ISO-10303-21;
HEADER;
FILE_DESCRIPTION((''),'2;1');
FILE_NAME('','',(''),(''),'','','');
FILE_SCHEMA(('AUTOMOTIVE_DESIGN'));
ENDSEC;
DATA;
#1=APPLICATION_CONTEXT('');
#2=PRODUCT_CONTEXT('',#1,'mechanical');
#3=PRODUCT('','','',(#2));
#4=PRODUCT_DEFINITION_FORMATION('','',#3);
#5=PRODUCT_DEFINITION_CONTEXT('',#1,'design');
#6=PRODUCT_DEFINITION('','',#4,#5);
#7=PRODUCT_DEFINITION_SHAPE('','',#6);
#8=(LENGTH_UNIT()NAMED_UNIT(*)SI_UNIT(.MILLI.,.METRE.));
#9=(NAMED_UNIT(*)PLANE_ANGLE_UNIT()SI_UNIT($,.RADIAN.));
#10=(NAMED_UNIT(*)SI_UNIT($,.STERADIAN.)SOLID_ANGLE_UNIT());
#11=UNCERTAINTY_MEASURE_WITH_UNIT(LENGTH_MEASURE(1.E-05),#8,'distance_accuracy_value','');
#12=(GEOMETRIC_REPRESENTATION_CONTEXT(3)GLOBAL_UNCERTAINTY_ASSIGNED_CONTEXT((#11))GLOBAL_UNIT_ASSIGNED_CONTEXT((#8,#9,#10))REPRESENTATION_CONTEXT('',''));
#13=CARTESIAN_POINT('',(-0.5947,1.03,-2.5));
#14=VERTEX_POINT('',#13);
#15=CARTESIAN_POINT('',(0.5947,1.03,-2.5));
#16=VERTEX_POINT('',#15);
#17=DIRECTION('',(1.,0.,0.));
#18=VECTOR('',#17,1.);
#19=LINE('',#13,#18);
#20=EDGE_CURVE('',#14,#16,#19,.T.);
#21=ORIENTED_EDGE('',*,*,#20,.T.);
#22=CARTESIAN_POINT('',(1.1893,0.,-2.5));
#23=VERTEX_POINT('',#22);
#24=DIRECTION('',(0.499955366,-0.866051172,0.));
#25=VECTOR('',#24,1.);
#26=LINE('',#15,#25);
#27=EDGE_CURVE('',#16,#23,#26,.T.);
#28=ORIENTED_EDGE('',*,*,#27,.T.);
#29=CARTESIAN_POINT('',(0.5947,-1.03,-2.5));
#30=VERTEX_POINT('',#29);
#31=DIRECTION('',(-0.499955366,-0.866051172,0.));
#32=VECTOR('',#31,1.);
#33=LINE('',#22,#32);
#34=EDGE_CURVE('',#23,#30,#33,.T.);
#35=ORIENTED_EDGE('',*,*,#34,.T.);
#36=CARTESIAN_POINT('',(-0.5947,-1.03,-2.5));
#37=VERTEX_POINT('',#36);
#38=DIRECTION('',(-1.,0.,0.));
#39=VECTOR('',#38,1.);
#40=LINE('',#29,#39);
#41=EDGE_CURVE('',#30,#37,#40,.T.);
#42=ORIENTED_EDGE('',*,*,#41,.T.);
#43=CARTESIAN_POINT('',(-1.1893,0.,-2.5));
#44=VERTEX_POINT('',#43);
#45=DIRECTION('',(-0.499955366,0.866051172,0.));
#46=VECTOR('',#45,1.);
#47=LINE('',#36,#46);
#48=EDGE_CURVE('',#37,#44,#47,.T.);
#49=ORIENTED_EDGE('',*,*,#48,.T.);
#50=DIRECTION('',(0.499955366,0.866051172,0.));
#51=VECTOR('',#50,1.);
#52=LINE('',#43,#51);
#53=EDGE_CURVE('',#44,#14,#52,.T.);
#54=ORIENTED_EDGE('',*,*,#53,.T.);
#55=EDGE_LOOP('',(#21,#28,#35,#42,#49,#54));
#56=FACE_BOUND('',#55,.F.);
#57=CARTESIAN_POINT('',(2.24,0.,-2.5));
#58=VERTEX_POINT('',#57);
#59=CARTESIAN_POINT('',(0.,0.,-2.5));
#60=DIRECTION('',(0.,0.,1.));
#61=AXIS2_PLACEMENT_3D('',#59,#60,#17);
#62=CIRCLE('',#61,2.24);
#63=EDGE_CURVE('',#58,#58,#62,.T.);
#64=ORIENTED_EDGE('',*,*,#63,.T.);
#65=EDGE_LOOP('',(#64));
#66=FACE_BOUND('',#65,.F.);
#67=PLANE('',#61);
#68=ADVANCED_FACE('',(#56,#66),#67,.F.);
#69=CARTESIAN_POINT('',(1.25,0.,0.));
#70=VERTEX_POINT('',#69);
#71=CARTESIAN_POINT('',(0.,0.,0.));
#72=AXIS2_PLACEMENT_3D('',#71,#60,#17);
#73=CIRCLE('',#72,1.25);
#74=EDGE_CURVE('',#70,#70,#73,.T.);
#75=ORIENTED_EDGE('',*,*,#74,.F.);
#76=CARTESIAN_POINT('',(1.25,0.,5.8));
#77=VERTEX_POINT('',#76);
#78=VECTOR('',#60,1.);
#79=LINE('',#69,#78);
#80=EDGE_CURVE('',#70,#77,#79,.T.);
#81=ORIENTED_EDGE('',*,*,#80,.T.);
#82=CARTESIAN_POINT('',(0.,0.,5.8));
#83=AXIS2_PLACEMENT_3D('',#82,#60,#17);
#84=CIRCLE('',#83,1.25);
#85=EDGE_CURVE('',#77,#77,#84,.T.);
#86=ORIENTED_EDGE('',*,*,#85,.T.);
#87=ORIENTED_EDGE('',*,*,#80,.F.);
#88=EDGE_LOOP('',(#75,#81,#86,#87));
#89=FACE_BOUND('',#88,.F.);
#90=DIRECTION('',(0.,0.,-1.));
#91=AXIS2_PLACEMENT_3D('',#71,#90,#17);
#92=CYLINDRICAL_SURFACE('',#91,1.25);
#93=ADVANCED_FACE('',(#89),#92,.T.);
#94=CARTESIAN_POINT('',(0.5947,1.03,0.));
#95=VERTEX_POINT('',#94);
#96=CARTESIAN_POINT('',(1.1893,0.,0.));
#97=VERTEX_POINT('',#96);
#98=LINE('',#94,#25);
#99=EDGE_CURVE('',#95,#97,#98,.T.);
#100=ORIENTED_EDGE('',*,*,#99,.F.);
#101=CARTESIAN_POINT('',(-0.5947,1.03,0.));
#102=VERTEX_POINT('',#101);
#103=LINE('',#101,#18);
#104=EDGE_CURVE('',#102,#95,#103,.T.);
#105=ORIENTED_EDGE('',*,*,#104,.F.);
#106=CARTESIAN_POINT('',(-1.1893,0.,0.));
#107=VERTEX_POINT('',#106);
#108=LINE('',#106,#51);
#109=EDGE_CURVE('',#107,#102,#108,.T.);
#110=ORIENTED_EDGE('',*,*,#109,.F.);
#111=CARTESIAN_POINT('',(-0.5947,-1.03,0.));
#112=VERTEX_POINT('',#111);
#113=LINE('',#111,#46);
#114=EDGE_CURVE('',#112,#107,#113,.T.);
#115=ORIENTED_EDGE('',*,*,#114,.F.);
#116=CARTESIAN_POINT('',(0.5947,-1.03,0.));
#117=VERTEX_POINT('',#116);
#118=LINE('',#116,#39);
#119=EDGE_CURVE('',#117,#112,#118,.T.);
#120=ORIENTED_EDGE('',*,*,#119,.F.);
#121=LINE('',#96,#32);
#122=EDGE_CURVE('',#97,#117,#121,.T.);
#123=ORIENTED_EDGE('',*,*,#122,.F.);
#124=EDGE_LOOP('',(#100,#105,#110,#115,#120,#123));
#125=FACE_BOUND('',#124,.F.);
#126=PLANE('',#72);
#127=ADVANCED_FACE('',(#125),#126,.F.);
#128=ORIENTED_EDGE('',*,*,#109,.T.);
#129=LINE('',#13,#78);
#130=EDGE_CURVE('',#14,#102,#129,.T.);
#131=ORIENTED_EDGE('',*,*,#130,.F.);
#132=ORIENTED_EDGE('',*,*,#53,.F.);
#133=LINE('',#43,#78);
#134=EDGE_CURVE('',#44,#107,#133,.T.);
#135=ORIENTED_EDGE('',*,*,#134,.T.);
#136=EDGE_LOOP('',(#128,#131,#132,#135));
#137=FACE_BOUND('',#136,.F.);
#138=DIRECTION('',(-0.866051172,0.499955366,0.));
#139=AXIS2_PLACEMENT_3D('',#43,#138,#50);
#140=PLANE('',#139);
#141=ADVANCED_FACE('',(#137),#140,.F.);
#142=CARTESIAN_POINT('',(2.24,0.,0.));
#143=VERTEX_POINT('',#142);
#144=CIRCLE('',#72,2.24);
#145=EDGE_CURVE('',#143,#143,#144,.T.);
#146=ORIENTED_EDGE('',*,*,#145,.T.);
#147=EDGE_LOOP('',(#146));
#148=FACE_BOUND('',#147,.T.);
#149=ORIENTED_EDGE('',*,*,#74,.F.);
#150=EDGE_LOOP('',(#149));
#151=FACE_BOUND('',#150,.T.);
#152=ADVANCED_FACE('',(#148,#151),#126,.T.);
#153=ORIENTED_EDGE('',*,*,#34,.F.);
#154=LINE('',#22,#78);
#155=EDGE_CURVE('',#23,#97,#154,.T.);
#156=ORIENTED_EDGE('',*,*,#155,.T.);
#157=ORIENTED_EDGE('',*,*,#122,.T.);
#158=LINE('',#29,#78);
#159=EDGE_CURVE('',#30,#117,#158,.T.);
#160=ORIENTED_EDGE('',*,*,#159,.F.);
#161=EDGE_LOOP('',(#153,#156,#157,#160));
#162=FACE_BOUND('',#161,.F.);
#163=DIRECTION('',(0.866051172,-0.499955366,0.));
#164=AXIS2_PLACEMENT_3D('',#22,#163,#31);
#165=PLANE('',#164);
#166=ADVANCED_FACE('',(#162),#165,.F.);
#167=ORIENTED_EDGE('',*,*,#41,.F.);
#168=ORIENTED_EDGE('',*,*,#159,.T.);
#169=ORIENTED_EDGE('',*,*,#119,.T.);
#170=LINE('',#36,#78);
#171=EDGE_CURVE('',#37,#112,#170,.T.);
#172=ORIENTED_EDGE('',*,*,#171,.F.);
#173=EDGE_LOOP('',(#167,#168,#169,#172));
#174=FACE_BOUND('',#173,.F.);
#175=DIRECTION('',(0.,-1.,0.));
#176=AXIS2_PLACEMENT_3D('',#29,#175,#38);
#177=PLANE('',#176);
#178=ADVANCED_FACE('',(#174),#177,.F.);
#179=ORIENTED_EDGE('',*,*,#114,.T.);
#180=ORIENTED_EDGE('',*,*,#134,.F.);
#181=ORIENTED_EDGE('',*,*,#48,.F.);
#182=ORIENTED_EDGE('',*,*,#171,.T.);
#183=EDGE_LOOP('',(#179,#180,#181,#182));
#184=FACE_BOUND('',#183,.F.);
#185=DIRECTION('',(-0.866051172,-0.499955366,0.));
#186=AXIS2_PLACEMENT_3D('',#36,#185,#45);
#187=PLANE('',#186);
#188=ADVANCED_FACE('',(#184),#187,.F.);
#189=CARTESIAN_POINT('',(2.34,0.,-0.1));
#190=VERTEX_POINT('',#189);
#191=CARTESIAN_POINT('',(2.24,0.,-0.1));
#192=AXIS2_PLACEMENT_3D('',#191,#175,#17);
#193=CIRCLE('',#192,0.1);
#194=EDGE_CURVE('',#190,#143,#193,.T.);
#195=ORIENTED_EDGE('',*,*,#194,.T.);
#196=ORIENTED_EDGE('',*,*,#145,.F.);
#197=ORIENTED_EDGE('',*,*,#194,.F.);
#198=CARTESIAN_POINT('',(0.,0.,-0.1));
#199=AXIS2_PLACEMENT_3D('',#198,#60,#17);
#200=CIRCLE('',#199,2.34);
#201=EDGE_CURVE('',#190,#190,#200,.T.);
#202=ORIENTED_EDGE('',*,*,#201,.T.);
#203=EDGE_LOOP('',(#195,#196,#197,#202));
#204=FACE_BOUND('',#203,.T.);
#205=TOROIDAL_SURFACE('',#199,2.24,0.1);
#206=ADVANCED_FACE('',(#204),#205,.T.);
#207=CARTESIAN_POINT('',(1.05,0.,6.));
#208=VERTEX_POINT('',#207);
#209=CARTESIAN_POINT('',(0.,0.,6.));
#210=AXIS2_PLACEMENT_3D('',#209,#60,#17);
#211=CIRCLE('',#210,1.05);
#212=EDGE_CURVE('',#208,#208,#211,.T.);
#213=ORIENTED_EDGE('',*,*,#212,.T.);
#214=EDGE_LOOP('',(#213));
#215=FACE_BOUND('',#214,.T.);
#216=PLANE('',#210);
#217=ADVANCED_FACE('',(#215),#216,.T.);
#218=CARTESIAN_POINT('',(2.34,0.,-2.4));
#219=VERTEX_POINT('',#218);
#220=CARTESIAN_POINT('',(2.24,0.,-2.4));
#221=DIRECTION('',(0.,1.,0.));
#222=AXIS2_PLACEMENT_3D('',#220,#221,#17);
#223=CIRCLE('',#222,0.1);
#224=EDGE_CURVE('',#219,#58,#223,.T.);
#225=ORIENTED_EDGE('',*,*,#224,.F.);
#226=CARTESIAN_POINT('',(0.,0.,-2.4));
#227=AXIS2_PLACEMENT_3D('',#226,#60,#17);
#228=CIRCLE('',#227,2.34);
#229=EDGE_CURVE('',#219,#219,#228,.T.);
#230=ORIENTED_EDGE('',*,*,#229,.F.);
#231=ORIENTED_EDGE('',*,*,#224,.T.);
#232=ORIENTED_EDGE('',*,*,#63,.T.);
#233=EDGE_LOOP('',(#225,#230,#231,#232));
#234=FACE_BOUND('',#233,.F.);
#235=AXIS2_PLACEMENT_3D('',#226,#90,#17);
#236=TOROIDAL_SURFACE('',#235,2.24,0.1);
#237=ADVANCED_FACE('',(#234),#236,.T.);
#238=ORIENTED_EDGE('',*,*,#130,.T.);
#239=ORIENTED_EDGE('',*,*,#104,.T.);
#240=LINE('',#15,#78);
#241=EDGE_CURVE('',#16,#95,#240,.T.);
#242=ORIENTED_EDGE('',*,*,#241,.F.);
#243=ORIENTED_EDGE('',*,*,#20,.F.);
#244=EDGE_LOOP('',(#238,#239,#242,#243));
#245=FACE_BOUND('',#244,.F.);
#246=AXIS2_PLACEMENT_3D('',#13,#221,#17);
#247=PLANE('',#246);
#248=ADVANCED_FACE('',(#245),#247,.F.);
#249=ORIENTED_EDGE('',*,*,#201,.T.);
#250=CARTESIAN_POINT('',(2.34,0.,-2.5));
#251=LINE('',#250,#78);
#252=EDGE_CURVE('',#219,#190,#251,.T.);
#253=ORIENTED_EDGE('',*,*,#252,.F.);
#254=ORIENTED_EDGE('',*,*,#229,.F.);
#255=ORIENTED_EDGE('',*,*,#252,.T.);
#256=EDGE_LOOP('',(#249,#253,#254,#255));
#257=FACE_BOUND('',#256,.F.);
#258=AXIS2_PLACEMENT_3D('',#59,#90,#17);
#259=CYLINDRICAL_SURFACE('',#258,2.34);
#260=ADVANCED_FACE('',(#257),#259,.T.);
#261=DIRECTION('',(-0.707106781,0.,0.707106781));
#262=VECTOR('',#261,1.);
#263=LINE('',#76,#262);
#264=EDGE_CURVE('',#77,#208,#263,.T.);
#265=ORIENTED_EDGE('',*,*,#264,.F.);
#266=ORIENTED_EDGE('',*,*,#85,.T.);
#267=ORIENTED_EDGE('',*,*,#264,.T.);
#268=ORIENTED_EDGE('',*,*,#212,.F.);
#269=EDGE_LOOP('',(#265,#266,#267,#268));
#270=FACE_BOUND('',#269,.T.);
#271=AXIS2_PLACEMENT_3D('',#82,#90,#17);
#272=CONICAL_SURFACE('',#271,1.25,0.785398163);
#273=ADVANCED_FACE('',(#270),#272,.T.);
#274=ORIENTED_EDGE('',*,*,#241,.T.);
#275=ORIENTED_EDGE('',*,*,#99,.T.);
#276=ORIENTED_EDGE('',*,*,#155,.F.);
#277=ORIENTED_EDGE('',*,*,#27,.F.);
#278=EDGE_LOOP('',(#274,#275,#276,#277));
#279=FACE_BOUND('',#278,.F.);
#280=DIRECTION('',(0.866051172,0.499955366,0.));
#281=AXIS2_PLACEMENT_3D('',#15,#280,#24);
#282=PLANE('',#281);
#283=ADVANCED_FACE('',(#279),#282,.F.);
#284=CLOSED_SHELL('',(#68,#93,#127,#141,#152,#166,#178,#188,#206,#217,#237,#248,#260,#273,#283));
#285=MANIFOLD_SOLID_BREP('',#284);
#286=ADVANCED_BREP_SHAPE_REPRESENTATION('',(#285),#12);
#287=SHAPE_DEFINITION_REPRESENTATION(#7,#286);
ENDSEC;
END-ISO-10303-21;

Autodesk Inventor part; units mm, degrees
ref_plane "YZ Plane" through (0, 0, 0) normal (1, 0, 0) x (0, 1, 0)
ref_plane "XZ Plane" through (0, 0, 0) normal (0, 1, 0) x (-1, 0, 0)
ref_plane "Work Plane1" through (0, 0, -2.5) normal (0, 0, 1) x (1, 0, 0)
sketch "Sketch1" plane through (0, 0, -2.5) normal (0, 0, 1) x (1, 0, 0)
  circle A0 centre (0, 0) radius 2.34
extrude "Extrusion3" add sketch "Sketch1" along normal blind 2.5
sketch "Sketch2" plane through (0, 0, 0) normal (0, 0, 1) x (1, 0, 0)
  circle A0 centre (0, 0) radius 1.25
extrude "Extrusion2" add sketch "Sketch2" along normal blind 6
sketch "Sketch3" plane through (0, 0, -2.5) normal (0, 0, 1) x (1, 0, 0)
  line L0 (0.5947, -1.03) -> (-0.5947, -1.03)
  line L1 (0.5947, 1.03) -> (1.1893, 0)
  line L2 (-0.5947, -1.03) -> (-1.1893, 0)
  line L3 (-1.1893, 0) -> (-0.5947, 1.03)
  line L4 (1.1893, 0) -> (0.5947, -1.03)
  line L5 (-0.5947, 1.03) -> (0.5947, 1.03)
extrude "Extrusion1" cut sketch "Sketch3" along normal blind 2.5
fillet "Fillet1" radius 0.1 2 edges at (-2.34, 0, 0) (-2.34, 0, -2.5)
chamfer "Chamfer1" distance 0.2 angle 45 1 edges at (-1.25, 0, 6)
properties part number "M2.5 x 6mm SHCS"
